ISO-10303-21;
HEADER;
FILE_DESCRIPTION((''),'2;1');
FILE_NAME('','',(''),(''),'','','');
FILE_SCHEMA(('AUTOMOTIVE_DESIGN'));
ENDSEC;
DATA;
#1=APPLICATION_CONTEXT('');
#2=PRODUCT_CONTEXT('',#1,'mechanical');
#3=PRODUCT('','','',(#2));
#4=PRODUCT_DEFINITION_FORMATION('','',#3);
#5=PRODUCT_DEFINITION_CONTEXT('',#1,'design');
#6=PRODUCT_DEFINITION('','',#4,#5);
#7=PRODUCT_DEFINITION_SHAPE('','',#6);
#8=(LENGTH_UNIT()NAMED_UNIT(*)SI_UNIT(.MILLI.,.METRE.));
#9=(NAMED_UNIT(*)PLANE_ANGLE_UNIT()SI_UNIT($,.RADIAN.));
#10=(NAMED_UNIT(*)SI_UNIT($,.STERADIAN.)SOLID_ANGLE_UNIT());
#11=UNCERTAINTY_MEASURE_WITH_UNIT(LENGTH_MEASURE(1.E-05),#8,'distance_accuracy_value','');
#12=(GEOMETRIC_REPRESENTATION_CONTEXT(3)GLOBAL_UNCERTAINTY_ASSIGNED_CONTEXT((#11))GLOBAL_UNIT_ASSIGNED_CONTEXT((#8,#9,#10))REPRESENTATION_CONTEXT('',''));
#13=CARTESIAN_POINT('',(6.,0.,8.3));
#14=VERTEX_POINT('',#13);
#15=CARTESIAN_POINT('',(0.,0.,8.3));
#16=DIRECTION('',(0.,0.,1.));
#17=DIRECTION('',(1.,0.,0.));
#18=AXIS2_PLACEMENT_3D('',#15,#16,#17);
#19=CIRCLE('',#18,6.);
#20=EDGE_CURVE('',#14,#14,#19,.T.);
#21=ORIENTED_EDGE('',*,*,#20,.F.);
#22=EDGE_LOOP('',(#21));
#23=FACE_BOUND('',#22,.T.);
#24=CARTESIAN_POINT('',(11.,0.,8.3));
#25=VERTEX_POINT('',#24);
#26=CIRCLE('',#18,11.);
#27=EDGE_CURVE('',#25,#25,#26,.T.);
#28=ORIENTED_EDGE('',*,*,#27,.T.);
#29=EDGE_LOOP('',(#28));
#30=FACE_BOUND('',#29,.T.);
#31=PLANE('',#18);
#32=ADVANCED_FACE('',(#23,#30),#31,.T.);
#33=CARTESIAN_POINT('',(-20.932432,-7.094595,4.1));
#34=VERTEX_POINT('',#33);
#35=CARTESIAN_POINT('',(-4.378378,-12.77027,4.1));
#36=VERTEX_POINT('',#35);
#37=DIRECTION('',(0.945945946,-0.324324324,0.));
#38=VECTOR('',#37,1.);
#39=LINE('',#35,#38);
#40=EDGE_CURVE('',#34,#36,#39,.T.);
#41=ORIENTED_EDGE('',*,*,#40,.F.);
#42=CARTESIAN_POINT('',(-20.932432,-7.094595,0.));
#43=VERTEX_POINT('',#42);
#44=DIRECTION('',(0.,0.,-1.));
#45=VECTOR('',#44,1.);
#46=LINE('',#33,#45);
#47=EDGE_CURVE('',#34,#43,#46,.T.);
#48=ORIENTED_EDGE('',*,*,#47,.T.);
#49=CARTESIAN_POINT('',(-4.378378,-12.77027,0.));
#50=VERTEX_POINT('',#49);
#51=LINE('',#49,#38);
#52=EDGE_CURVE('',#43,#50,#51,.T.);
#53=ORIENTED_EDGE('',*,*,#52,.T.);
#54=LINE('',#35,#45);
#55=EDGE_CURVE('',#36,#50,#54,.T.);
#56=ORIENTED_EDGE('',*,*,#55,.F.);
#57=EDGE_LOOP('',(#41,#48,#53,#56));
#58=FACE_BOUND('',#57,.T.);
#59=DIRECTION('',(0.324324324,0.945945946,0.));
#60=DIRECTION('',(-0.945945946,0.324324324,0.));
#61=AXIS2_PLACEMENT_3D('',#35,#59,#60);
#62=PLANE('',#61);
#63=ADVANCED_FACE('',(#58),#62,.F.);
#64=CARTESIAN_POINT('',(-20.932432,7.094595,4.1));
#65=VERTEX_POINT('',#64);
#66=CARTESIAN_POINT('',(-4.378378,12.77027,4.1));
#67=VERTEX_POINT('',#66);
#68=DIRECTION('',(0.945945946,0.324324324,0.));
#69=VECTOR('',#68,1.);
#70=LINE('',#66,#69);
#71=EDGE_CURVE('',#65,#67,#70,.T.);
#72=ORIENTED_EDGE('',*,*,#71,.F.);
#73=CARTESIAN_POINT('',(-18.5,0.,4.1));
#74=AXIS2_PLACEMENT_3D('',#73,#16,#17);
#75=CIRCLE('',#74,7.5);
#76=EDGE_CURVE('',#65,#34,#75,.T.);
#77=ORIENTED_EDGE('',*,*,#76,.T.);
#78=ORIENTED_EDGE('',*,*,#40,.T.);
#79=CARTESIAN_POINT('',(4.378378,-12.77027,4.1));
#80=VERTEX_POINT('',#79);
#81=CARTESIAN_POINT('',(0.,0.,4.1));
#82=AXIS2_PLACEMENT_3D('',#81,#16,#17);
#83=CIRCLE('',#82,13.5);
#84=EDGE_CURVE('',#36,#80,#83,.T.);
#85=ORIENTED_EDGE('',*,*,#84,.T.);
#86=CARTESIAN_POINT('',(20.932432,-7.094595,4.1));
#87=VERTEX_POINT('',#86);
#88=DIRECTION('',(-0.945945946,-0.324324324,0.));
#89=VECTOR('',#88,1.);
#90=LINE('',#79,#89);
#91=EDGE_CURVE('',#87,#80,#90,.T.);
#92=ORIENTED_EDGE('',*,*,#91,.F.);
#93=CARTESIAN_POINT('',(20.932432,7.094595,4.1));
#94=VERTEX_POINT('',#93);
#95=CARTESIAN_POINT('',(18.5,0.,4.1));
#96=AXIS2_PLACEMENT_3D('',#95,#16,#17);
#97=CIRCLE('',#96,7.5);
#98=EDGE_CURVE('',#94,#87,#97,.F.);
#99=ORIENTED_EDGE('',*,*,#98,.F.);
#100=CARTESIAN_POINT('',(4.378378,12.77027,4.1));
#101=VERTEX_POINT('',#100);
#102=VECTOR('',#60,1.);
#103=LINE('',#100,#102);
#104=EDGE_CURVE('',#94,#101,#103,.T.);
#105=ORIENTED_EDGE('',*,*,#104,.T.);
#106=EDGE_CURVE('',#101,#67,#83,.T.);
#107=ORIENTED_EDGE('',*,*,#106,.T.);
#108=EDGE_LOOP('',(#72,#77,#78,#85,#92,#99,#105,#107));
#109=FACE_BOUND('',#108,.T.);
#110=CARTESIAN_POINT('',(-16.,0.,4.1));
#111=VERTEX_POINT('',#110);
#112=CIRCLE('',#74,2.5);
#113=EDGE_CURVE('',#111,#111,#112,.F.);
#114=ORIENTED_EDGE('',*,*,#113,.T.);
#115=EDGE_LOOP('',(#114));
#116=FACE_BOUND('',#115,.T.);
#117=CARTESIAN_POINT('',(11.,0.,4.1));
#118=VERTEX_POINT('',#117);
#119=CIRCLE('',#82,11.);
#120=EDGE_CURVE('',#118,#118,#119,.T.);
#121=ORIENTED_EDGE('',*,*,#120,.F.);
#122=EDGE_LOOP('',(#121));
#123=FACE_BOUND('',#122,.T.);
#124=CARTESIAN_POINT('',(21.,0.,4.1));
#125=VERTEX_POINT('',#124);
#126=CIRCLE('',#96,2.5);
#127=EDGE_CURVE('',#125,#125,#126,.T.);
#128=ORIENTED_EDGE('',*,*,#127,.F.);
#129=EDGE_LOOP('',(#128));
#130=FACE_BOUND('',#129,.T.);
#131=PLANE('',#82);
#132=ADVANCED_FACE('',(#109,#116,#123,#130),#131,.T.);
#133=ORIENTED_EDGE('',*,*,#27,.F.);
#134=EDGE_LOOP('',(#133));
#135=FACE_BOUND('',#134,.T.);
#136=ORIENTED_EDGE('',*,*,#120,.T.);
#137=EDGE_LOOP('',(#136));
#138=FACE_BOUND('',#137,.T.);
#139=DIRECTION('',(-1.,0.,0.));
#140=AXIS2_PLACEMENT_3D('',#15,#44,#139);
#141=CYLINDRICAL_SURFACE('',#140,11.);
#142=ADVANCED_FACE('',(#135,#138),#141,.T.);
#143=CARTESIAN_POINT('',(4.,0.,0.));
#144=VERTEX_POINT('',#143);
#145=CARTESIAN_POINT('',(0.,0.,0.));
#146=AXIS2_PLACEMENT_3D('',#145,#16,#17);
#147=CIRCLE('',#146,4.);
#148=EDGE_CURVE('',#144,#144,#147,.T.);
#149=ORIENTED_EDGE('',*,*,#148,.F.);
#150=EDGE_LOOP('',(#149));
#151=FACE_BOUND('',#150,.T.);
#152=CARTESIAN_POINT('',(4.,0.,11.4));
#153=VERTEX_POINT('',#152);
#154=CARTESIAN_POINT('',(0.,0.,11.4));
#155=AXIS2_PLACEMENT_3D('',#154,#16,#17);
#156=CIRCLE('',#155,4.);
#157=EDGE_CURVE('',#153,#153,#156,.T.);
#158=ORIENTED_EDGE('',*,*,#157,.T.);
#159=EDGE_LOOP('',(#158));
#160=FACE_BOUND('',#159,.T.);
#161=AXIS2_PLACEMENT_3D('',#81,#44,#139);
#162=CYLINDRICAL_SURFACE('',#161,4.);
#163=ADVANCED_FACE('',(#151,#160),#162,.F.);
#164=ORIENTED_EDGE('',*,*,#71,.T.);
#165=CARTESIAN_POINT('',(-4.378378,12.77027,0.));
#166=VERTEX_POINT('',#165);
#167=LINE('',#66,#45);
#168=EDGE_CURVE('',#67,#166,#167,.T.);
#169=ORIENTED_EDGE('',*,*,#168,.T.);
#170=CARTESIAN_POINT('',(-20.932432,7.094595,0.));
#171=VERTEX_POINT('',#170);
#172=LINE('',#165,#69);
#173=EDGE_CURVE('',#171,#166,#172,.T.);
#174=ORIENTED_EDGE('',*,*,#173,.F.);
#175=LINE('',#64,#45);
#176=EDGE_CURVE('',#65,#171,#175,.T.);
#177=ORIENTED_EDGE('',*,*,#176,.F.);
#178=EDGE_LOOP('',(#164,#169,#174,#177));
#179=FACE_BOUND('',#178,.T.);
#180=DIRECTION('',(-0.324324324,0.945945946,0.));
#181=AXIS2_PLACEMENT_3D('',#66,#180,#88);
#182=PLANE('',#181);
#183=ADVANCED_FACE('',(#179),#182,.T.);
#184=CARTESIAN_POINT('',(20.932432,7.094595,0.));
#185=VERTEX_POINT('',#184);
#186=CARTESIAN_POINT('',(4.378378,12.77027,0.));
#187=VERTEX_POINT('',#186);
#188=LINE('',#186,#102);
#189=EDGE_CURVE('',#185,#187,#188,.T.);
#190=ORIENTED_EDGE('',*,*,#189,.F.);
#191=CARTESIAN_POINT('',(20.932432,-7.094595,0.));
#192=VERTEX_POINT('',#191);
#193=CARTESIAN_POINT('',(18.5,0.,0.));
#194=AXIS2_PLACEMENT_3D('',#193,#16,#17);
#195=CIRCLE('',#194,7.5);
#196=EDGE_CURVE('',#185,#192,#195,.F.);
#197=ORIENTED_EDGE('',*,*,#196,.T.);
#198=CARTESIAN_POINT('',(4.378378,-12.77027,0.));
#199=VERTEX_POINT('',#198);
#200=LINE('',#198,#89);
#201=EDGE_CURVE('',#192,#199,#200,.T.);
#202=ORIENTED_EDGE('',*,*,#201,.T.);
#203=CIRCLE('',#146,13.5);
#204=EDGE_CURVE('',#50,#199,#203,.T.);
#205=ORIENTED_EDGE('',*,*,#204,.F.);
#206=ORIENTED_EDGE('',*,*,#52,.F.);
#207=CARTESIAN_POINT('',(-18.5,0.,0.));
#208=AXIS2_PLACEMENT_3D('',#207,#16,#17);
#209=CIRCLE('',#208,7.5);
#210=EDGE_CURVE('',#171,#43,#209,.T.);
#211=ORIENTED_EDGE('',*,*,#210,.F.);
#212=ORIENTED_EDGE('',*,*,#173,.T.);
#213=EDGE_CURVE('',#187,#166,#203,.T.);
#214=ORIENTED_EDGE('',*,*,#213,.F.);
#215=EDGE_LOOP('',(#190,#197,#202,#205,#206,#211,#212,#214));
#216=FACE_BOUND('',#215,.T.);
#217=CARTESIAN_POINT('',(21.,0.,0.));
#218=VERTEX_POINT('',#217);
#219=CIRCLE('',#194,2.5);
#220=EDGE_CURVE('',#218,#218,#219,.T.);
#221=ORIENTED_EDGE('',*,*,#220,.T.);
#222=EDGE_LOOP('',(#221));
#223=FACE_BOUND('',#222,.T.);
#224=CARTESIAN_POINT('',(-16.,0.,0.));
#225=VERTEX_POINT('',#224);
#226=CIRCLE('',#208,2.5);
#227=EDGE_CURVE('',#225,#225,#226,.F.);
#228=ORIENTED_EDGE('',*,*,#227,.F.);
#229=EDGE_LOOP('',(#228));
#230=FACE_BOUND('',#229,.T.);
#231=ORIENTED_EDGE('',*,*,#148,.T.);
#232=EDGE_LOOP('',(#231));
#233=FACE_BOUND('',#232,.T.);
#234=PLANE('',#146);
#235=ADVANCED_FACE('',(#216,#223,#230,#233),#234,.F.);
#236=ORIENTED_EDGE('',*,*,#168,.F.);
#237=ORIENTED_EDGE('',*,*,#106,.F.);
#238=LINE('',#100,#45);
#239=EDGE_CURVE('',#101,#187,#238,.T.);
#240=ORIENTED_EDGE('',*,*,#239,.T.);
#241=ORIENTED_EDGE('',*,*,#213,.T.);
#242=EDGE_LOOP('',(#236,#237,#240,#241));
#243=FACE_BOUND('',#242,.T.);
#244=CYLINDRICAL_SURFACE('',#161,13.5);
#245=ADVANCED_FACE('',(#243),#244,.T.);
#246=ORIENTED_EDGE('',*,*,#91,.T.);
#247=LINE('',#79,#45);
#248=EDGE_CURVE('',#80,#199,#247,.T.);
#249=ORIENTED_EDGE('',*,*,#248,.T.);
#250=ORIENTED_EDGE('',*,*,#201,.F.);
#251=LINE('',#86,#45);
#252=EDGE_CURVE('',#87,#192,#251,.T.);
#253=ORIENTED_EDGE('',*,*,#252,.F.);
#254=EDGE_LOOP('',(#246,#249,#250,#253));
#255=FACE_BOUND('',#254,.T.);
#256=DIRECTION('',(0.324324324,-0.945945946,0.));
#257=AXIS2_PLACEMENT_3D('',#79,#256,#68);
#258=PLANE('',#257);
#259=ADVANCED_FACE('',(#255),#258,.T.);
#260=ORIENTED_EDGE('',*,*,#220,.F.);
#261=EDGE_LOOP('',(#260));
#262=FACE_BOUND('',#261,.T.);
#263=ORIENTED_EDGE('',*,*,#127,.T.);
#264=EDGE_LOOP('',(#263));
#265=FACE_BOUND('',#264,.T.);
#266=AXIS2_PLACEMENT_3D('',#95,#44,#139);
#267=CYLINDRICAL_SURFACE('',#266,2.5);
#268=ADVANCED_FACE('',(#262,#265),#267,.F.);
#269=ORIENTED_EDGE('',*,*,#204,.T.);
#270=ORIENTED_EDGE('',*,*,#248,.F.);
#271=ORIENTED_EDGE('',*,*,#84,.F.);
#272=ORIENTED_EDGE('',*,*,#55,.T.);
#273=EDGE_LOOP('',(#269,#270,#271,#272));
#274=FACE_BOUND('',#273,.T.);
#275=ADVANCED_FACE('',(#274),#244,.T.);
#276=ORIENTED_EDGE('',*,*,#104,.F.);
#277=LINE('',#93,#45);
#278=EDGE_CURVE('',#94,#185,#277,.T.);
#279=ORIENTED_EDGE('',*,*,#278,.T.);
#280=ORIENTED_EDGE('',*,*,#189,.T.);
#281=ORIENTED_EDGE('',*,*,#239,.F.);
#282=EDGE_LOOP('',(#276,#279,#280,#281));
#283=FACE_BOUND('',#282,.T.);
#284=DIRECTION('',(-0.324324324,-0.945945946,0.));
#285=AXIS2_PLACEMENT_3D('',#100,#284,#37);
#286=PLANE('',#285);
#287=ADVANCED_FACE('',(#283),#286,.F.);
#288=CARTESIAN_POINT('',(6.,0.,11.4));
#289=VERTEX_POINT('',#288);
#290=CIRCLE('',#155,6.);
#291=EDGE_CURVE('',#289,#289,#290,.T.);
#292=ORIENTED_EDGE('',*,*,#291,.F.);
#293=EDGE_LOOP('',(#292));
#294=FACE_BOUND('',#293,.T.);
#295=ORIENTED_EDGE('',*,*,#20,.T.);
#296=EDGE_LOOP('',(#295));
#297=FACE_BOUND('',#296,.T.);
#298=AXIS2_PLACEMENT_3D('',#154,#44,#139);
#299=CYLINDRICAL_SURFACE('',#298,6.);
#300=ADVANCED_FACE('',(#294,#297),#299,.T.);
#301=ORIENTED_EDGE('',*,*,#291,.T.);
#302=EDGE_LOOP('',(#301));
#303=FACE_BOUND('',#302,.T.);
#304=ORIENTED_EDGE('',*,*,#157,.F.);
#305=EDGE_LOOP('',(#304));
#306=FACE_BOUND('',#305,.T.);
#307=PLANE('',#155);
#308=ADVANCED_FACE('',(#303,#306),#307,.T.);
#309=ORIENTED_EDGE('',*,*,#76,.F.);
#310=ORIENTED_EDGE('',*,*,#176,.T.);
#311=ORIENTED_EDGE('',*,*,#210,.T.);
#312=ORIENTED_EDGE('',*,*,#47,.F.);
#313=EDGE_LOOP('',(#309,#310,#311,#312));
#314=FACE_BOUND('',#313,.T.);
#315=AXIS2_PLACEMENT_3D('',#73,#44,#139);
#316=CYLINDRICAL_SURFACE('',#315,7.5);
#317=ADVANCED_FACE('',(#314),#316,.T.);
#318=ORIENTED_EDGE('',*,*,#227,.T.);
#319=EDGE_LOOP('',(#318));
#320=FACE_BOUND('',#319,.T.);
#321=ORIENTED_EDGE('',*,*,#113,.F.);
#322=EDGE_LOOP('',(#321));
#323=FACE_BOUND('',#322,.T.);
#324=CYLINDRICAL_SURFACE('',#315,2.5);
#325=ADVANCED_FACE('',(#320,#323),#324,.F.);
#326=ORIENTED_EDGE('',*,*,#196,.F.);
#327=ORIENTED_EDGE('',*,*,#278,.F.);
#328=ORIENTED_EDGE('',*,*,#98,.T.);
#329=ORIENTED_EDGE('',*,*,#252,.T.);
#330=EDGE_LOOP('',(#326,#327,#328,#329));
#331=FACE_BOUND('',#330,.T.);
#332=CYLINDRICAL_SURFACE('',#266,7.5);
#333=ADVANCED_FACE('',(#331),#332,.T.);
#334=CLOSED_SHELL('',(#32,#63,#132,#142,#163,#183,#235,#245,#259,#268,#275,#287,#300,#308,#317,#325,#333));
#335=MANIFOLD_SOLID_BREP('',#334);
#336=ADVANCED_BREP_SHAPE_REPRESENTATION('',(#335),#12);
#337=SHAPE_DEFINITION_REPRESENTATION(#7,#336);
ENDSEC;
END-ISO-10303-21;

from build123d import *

# Parameters (mm, degrees)
SKETCH2_R           = 4
SKETCH2_R_2         = 2.5
BOSS_EXTRUDE1_DEPTH = 4.1
SKETCH3_R           = 6
SKETCH3_R_2         = 4
BOSS_EXTRUDE2_DEPTH = 11.4
SKETCH4_R           = 11
SKETCH4_R_2         = 6
BOSS_EXTRUDE3_DEPTH = 4.2


with BuildPart() as part:
    # Sketch2 → Boss-Extrude1 (new body)
    with BuildSketch(Plane.XY):
        with BuildLine():
            ThreePointArc((20.932432432, -7.094594595), (26, 0), (20.932432432, 7.094594595))
            Line((20.932432432, 7.094594595), (4.378378378, 12.77027027))
            ThreePointArc((4.378378378, 12.77027027), (0, 13.5), (-4.378378378, 12.77027027))
            Line((-4.378378378, 12.77027027), (-20.932432432, 7.094594595))
            ThreePointArc((-20.932432432, 7.094594595), (-26, 0), (-20.932432432, -7.094594595))
            Line((-20.932432432, -7.094594595), (-4.378378378, -12.77027027))
            ThreePointArc((-4.378378378, -12.77027027), (0, -13.5), (4.378378378, -12.77027027))
            Line((4.378378378, -12.77027027), (20.932432432, -7.094594595))
        make_face()
        Circle(SKETCH2_R, mode=Mode.SUBTRACT)
        with Locations((18.5, 0)):
            Circle(SKETCH2_R_2, mode=Mode.SUBTRACT)
        with Locations((-18.5, 0)):
            Circle(SKETCH2_R_2, mode=Mode.SUBTRACT)
    extrude(amount=BOSS_EXTRUDE1_DEPTH)

    # Sketch3 → Boss-Extrude2 (add)
    with BuildSketch(Plane.XY):
        Circle(SKETCH3_R)
        Circle(SKETCH3_R_2, mode=Mode.SUBTRACT)
    extrude(amount=BOSS_EXTRUDE2_DEPTH)

    # Sketch4 → Boss-Extrude3 (add)
    with BuildSketch(Plane.XY.offset(4.1)):
        Circle(SKETCH4_R)
        Circle(SKETCH4_R_2, mode=Mode.SUBTRACT)
    extrude(amount=BOSS_EXTRUDE3_DEPTH)


solid = part.part
